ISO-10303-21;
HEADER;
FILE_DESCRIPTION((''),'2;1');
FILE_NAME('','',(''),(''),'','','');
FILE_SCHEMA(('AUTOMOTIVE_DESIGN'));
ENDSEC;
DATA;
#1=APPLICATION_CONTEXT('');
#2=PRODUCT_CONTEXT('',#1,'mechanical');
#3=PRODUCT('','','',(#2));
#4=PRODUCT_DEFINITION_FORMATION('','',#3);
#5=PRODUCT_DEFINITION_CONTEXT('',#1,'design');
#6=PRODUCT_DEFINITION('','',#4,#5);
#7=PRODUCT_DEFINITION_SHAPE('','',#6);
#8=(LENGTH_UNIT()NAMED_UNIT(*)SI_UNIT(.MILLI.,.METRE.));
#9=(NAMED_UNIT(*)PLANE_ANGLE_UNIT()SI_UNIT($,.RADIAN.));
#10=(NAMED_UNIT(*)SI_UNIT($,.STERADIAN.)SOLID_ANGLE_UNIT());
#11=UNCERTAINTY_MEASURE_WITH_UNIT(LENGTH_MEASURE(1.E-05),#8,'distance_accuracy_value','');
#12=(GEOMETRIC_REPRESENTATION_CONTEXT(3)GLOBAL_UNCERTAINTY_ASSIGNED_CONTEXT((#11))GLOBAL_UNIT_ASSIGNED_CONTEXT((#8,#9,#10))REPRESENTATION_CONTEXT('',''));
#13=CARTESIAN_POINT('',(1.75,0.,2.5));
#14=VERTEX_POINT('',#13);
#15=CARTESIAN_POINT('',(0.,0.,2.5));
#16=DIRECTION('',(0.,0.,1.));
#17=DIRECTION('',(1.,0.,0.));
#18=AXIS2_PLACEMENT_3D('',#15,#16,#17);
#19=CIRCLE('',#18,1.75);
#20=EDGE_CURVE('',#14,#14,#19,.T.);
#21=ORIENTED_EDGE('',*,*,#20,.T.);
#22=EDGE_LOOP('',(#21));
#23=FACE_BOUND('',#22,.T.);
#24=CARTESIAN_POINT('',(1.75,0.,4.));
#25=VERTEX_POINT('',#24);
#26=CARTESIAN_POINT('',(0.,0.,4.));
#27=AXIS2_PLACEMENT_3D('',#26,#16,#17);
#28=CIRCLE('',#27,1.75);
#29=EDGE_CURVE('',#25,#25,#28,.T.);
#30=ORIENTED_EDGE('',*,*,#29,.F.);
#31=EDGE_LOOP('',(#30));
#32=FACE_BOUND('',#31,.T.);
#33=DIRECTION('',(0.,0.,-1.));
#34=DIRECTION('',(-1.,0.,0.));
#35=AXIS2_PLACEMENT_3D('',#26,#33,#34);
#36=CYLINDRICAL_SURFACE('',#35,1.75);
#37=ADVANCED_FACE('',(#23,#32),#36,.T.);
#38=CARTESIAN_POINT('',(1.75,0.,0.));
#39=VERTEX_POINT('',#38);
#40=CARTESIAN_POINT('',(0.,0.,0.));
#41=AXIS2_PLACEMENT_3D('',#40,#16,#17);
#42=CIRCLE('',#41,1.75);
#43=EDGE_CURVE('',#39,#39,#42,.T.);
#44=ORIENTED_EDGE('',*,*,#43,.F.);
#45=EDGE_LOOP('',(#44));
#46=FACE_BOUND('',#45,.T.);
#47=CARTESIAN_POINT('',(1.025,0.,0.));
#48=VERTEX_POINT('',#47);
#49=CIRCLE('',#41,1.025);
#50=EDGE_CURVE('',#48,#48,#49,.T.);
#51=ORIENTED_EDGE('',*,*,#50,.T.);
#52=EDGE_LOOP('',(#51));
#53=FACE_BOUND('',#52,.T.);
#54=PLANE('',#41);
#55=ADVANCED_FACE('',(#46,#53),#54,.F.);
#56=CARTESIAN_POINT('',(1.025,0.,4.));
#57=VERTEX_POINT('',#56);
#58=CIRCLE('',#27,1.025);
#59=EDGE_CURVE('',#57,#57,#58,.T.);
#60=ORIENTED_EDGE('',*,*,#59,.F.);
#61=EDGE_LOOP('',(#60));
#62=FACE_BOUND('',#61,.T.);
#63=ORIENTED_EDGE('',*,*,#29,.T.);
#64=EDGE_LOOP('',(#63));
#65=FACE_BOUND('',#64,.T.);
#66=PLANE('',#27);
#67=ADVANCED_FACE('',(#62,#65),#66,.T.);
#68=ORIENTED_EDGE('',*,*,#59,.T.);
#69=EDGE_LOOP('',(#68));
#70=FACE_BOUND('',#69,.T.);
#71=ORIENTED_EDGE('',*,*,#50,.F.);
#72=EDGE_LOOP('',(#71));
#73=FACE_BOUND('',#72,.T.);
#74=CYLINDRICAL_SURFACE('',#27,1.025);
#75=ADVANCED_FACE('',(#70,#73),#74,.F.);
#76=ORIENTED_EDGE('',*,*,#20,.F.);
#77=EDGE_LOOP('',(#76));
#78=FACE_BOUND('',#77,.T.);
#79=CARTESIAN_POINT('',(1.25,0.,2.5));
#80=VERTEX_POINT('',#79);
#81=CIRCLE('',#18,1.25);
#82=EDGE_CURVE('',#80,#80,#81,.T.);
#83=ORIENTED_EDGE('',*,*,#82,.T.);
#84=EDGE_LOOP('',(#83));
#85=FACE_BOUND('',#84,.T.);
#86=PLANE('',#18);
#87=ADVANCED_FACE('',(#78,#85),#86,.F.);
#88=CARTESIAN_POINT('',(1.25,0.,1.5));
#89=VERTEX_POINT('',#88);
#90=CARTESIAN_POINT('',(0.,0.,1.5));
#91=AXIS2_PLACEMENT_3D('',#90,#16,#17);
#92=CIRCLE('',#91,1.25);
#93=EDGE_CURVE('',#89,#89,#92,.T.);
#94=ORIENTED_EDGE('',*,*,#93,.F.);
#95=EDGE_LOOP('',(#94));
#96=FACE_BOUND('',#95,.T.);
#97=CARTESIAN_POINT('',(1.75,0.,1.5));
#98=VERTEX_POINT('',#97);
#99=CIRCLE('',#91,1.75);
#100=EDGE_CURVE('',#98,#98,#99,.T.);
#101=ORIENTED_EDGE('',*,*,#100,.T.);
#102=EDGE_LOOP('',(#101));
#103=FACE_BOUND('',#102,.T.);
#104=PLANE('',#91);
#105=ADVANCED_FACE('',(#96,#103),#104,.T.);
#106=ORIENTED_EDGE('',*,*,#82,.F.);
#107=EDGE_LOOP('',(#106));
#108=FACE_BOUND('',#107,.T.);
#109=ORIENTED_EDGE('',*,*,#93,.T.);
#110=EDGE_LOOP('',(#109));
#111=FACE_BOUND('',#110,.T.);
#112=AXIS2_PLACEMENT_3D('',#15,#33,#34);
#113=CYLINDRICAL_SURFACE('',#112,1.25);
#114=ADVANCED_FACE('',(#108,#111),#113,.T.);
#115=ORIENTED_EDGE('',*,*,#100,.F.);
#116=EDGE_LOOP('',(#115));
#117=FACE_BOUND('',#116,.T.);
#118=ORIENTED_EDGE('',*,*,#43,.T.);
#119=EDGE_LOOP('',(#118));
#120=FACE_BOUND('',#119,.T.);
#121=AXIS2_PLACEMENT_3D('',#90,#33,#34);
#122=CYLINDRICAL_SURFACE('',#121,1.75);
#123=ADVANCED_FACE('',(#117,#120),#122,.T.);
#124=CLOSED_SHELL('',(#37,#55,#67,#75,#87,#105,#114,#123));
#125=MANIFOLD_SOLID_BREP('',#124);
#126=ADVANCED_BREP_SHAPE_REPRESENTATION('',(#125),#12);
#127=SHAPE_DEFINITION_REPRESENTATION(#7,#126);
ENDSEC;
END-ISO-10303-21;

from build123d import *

# Parameters (mm, degrees)
SKETCH_1_R           = 1.75
EXTRUDE_1_DEPTH      = 1.5
SKETCH_2_R           = 1.25
EXTRUDE_2_DEPTH      = 1
SKETCH_3_R           = 1.75
EXTRUDE_3_DEPTH      = 1.5
HOLE_WIZARD_M2_5_1_D = 2.05


with BuildPart() as part:
    # 草图1 → 凸台-拉伸1 (new body)
    with BuildSketch(Plane.XY):
        Circle(SKETCH_1_R)
    extrude(amount=EXTRUDE_1_DEPTH)

    # 草图2 → 凸台-拉伸2 (add)
    with BuildSketch(Plane.XY.offset(1.5)):
        Circle(SKETCH_2_R)
    extrude(amount=EXTRUDE_2_DEPTH)

    # 草图3 → 凸台-拉伸3 (add)
    with BuildSketch(Plane.XY.offset(2.5)):
        Circle(SKETCH_3_R)
    extrude(amount=EXTRUDE_3_DEPTH)

    # M2.5 螺纹孔1 (through all)
    with Locations(Plane.XY.offset(4)):
        with Locations((0, 0)):
            Hole(HOLE_WIZARD_M2_5_1_D / 2)


solid = part.part
